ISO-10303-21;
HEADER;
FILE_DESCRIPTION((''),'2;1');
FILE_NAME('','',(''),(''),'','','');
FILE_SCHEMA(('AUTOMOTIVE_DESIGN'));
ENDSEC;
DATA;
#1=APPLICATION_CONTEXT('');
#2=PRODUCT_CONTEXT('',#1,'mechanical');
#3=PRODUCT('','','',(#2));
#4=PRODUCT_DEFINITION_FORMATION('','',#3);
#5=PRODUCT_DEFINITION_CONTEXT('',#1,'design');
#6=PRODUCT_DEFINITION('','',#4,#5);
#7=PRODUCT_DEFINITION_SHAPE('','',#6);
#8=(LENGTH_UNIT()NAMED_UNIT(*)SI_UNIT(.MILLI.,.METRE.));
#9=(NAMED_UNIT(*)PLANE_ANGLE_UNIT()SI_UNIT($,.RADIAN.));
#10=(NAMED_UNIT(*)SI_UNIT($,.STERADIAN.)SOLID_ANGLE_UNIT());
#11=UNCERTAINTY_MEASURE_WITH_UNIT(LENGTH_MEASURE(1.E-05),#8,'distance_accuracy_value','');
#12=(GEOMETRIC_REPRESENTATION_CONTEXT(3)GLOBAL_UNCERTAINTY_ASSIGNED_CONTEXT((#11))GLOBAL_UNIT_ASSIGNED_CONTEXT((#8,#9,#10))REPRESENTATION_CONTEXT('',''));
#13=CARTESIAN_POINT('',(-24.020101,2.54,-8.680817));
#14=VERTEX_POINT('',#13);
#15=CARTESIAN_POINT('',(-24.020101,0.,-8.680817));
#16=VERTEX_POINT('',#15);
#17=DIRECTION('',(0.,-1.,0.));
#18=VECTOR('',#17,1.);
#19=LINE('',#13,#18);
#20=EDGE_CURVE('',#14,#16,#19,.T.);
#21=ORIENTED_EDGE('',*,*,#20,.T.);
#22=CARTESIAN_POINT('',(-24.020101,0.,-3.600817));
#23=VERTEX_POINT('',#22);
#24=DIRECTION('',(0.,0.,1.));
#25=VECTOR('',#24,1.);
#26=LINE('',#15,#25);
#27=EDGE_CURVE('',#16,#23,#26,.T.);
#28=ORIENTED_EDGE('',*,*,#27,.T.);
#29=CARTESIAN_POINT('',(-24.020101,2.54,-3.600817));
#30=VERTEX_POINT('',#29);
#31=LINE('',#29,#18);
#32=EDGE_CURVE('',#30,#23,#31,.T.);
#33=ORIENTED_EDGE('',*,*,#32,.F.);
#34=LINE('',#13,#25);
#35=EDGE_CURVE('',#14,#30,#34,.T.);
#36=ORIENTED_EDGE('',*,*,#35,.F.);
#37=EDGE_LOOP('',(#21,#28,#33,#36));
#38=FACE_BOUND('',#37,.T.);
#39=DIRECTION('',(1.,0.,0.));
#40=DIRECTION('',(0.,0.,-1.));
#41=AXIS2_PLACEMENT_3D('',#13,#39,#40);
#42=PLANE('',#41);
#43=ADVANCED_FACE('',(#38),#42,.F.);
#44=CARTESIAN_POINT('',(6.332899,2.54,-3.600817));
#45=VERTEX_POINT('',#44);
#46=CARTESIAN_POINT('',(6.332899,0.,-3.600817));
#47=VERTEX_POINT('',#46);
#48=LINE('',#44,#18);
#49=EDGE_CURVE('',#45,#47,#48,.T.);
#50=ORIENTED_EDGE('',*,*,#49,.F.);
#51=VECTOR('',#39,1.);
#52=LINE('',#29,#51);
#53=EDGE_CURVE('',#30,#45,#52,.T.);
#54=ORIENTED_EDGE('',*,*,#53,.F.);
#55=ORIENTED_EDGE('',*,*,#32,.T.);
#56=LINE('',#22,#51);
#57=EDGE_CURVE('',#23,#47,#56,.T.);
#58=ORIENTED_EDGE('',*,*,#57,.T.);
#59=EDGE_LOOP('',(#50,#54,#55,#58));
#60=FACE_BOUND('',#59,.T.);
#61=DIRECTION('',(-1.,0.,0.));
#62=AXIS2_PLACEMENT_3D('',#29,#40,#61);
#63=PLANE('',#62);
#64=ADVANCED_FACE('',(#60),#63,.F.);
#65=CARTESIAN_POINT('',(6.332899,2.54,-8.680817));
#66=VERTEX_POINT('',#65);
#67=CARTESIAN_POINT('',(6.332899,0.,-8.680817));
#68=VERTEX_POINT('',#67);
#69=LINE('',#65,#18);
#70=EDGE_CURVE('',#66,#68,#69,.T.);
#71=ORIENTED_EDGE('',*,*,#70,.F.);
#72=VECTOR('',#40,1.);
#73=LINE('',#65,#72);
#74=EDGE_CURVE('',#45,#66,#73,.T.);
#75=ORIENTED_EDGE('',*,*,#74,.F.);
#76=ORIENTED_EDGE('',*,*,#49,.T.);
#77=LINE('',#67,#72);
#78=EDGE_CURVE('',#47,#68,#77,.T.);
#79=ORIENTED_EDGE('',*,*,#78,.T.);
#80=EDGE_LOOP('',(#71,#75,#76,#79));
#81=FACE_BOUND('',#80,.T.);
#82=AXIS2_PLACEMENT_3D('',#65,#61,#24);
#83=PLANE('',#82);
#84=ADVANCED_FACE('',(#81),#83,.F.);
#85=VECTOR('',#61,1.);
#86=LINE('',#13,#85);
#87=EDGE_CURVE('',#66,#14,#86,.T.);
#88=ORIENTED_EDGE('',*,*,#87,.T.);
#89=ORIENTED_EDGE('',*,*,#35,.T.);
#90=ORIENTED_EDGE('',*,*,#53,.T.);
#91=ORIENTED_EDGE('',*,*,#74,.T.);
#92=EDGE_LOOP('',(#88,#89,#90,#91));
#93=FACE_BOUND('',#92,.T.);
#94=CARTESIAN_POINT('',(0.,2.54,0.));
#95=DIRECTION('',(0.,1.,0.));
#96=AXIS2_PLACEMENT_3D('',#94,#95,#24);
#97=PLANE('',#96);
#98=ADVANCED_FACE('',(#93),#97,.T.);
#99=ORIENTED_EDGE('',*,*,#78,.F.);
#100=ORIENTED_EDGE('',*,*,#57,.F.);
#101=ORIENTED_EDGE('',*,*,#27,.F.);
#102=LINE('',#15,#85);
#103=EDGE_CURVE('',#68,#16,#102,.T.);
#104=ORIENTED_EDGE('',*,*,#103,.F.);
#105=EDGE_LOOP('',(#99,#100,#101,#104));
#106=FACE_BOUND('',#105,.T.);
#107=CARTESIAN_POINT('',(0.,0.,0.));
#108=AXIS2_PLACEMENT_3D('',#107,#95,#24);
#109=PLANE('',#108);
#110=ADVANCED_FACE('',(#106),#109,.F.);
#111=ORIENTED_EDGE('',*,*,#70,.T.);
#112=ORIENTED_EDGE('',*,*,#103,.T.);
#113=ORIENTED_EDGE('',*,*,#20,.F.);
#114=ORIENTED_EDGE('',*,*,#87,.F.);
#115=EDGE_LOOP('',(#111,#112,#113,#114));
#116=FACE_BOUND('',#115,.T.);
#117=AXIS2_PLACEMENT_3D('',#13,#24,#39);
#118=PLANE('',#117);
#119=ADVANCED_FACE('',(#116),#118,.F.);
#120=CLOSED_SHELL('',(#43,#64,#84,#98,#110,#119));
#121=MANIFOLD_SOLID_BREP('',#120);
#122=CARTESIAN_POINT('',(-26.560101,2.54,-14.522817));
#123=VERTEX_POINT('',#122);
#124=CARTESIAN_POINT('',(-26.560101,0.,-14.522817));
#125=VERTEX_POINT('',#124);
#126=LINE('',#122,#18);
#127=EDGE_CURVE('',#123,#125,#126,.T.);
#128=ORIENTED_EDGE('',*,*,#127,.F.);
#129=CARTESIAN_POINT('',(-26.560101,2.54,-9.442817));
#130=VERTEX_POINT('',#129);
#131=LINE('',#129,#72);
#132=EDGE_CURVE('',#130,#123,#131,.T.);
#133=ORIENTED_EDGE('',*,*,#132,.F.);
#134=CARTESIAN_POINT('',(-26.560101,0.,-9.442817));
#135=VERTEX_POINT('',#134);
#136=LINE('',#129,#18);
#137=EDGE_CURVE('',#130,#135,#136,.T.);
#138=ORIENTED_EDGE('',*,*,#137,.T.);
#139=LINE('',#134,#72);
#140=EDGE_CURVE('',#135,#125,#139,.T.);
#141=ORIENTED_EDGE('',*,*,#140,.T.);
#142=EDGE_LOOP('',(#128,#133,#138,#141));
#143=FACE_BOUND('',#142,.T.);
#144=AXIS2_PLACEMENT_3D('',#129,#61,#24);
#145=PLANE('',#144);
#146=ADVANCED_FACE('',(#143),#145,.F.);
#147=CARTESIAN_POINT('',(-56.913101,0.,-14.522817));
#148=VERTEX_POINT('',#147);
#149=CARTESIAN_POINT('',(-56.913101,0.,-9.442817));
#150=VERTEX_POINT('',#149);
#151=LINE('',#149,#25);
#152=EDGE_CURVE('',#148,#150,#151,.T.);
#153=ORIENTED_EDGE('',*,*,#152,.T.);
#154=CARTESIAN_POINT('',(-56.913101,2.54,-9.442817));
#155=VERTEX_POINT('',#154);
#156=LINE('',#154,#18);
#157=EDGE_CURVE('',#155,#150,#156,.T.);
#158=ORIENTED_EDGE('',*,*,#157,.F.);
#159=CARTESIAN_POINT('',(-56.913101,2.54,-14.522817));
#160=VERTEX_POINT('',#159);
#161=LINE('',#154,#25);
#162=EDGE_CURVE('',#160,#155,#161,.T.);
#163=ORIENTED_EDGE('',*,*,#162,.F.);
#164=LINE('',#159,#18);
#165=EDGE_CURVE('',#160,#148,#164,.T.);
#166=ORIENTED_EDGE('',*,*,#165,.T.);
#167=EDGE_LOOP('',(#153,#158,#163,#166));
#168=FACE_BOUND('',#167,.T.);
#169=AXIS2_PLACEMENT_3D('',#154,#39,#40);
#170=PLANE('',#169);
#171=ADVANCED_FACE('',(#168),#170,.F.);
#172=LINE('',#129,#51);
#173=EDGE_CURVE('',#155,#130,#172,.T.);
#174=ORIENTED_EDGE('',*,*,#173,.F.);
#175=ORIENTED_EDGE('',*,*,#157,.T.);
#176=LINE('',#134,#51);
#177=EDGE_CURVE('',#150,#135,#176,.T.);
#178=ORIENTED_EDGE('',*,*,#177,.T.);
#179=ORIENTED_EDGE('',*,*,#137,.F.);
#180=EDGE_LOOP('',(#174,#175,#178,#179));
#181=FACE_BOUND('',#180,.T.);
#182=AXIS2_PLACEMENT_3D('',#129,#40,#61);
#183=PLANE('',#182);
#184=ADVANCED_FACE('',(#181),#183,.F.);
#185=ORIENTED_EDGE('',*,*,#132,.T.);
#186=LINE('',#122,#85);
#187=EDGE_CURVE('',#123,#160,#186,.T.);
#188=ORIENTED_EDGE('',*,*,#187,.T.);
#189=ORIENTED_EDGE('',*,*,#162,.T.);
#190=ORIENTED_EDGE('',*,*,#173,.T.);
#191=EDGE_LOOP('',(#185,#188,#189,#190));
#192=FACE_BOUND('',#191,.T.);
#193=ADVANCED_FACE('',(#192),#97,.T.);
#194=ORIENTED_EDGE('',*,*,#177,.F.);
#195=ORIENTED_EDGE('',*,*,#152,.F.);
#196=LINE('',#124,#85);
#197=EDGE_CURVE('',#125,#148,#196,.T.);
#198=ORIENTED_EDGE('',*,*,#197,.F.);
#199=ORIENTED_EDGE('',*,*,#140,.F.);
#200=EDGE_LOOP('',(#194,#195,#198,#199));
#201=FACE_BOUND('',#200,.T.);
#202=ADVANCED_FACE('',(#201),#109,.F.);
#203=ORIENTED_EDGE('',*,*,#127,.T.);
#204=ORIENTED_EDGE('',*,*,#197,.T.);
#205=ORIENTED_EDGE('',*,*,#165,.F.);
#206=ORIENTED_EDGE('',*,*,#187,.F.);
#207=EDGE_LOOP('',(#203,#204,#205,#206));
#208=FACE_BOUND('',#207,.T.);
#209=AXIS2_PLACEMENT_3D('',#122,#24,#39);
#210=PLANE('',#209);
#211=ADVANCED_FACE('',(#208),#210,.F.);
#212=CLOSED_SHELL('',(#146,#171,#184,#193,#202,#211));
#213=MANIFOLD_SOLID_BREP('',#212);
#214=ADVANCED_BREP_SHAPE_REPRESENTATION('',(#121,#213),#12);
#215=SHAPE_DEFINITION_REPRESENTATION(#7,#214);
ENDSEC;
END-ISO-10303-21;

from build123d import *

# Parameters (mm, degrees)
SKETCH1_W             = 30.353
SKETCH1_H             = 5.08
BOSS_EXTRUDE1_DEPTH   = 2.54
BOSS_EXTRUDE1_2_DEPTH = 2.54


with BuildPart() as part:
    # Sketch1 → Boss-Extrude1 (new body)
    with BuildSketch(Plane(origin=(0, 0, 0), x_dir=(1, 0, 0), z_dir=(0, 1, 0))):
        with Locations((-41.73660113, 11.982817441)):
            Rectangle(SKETCH1_W, SKETCH1_H)
    extrude(amount=BOSS_EXTRUDE1_DEPTH)


with BuildPart() as body_2:
    # Sketch1 → Boss-Extrude1 2 (new body)
    with BuildSketch(Plane(origin=(0, 0, 0), x_dir=(1, 0, 0), z_dir=(0, 1, 0))):
        with Locations((-8.84360113, 6.140817441)):
            Rectangle(SKETCH1_W, SKETCH1_H)
    extrude(amount=BOSS_EXTRUDE1_2_DEPTH)


solid = Compound([part.part, body_2.part])
